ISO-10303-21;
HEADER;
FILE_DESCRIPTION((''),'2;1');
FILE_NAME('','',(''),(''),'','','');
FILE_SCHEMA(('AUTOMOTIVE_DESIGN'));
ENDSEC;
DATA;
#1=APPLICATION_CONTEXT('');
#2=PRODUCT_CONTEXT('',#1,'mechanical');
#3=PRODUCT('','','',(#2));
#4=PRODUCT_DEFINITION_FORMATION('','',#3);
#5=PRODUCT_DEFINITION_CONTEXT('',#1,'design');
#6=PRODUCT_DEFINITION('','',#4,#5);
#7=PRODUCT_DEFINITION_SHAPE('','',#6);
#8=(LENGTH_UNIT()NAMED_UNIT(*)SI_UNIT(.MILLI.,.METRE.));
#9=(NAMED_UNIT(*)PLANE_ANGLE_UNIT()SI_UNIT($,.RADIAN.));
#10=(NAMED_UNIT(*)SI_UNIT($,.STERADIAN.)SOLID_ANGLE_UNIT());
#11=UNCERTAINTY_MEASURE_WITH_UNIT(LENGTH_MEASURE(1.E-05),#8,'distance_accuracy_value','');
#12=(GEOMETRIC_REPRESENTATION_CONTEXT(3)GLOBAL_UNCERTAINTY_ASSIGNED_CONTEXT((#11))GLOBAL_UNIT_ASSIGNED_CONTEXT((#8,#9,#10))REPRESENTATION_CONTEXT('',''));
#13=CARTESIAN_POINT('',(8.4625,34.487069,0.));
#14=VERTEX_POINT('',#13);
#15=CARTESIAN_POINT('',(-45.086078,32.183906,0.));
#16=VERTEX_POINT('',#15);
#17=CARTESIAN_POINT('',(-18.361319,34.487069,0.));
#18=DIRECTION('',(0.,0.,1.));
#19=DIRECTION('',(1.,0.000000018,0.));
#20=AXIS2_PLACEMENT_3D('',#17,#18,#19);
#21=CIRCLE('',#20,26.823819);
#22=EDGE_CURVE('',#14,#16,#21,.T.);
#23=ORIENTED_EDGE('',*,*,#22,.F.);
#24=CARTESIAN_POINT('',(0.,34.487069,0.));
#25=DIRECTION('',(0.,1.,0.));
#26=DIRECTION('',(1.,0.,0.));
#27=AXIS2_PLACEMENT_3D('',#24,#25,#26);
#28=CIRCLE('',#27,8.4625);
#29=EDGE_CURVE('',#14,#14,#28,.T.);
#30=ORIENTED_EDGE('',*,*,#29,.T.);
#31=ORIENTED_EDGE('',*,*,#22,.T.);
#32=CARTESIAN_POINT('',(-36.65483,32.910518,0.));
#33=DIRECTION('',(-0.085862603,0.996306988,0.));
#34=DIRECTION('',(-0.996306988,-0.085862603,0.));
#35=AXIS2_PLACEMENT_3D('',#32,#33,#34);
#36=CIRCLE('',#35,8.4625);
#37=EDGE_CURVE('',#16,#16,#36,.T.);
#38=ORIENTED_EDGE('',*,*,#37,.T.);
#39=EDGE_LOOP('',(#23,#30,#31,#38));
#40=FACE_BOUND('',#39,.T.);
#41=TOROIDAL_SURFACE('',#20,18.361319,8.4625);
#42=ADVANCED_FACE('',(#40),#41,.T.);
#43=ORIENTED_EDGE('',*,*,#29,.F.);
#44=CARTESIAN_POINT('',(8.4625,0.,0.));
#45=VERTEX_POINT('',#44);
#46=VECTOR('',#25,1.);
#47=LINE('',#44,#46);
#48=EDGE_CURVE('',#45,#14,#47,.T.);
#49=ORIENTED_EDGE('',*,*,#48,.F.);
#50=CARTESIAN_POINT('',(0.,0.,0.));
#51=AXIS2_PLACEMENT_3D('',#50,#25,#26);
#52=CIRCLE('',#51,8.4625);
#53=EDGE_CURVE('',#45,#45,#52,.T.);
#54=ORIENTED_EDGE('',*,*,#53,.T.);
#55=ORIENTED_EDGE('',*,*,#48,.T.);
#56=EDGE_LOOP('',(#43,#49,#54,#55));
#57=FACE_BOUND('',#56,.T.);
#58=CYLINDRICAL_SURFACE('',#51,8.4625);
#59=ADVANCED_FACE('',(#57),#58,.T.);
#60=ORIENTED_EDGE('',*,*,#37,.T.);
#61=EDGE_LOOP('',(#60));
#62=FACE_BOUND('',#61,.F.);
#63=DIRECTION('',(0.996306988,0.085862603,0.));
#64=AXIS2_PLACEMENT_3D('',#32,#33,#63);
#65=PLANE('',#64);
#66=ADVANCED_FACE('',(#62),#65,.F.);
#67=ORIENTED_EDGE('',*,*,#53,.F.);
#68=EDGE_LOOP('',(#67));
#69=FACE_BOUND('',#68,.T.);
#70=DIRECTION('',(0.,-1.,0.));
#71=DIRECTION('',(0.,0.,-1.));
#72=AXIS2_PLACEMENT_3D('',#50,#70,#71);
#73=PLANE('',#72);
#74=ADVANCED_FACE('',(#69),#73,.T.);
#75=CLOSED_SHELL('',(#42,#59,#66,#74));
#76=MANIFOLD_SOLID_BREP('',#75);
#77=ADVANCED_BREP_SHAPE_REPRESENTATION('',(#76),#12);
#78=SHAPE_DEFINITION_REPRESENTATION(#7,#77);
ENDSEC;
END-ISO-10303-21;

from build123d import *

# Parameters (mm, degrees)
F1_R = 8.4625


with BuildPart() as f2:
    # F2: sweep along a path in F0
    with BuildLine(Plane.XY) as f2_path:
        Line((0, 0), (0, 34.487069))
        ThreePointArc((0, 34.487069), (-19.150323, 52.831428), (-36.65483, 32.910518))
    # F1 (on Front) → F2 (sweep)
    with BuildSketch(Plane.XZ):
        Circle(F1_R)
    sweep(path=f2_path.line)


solid = f2.part
